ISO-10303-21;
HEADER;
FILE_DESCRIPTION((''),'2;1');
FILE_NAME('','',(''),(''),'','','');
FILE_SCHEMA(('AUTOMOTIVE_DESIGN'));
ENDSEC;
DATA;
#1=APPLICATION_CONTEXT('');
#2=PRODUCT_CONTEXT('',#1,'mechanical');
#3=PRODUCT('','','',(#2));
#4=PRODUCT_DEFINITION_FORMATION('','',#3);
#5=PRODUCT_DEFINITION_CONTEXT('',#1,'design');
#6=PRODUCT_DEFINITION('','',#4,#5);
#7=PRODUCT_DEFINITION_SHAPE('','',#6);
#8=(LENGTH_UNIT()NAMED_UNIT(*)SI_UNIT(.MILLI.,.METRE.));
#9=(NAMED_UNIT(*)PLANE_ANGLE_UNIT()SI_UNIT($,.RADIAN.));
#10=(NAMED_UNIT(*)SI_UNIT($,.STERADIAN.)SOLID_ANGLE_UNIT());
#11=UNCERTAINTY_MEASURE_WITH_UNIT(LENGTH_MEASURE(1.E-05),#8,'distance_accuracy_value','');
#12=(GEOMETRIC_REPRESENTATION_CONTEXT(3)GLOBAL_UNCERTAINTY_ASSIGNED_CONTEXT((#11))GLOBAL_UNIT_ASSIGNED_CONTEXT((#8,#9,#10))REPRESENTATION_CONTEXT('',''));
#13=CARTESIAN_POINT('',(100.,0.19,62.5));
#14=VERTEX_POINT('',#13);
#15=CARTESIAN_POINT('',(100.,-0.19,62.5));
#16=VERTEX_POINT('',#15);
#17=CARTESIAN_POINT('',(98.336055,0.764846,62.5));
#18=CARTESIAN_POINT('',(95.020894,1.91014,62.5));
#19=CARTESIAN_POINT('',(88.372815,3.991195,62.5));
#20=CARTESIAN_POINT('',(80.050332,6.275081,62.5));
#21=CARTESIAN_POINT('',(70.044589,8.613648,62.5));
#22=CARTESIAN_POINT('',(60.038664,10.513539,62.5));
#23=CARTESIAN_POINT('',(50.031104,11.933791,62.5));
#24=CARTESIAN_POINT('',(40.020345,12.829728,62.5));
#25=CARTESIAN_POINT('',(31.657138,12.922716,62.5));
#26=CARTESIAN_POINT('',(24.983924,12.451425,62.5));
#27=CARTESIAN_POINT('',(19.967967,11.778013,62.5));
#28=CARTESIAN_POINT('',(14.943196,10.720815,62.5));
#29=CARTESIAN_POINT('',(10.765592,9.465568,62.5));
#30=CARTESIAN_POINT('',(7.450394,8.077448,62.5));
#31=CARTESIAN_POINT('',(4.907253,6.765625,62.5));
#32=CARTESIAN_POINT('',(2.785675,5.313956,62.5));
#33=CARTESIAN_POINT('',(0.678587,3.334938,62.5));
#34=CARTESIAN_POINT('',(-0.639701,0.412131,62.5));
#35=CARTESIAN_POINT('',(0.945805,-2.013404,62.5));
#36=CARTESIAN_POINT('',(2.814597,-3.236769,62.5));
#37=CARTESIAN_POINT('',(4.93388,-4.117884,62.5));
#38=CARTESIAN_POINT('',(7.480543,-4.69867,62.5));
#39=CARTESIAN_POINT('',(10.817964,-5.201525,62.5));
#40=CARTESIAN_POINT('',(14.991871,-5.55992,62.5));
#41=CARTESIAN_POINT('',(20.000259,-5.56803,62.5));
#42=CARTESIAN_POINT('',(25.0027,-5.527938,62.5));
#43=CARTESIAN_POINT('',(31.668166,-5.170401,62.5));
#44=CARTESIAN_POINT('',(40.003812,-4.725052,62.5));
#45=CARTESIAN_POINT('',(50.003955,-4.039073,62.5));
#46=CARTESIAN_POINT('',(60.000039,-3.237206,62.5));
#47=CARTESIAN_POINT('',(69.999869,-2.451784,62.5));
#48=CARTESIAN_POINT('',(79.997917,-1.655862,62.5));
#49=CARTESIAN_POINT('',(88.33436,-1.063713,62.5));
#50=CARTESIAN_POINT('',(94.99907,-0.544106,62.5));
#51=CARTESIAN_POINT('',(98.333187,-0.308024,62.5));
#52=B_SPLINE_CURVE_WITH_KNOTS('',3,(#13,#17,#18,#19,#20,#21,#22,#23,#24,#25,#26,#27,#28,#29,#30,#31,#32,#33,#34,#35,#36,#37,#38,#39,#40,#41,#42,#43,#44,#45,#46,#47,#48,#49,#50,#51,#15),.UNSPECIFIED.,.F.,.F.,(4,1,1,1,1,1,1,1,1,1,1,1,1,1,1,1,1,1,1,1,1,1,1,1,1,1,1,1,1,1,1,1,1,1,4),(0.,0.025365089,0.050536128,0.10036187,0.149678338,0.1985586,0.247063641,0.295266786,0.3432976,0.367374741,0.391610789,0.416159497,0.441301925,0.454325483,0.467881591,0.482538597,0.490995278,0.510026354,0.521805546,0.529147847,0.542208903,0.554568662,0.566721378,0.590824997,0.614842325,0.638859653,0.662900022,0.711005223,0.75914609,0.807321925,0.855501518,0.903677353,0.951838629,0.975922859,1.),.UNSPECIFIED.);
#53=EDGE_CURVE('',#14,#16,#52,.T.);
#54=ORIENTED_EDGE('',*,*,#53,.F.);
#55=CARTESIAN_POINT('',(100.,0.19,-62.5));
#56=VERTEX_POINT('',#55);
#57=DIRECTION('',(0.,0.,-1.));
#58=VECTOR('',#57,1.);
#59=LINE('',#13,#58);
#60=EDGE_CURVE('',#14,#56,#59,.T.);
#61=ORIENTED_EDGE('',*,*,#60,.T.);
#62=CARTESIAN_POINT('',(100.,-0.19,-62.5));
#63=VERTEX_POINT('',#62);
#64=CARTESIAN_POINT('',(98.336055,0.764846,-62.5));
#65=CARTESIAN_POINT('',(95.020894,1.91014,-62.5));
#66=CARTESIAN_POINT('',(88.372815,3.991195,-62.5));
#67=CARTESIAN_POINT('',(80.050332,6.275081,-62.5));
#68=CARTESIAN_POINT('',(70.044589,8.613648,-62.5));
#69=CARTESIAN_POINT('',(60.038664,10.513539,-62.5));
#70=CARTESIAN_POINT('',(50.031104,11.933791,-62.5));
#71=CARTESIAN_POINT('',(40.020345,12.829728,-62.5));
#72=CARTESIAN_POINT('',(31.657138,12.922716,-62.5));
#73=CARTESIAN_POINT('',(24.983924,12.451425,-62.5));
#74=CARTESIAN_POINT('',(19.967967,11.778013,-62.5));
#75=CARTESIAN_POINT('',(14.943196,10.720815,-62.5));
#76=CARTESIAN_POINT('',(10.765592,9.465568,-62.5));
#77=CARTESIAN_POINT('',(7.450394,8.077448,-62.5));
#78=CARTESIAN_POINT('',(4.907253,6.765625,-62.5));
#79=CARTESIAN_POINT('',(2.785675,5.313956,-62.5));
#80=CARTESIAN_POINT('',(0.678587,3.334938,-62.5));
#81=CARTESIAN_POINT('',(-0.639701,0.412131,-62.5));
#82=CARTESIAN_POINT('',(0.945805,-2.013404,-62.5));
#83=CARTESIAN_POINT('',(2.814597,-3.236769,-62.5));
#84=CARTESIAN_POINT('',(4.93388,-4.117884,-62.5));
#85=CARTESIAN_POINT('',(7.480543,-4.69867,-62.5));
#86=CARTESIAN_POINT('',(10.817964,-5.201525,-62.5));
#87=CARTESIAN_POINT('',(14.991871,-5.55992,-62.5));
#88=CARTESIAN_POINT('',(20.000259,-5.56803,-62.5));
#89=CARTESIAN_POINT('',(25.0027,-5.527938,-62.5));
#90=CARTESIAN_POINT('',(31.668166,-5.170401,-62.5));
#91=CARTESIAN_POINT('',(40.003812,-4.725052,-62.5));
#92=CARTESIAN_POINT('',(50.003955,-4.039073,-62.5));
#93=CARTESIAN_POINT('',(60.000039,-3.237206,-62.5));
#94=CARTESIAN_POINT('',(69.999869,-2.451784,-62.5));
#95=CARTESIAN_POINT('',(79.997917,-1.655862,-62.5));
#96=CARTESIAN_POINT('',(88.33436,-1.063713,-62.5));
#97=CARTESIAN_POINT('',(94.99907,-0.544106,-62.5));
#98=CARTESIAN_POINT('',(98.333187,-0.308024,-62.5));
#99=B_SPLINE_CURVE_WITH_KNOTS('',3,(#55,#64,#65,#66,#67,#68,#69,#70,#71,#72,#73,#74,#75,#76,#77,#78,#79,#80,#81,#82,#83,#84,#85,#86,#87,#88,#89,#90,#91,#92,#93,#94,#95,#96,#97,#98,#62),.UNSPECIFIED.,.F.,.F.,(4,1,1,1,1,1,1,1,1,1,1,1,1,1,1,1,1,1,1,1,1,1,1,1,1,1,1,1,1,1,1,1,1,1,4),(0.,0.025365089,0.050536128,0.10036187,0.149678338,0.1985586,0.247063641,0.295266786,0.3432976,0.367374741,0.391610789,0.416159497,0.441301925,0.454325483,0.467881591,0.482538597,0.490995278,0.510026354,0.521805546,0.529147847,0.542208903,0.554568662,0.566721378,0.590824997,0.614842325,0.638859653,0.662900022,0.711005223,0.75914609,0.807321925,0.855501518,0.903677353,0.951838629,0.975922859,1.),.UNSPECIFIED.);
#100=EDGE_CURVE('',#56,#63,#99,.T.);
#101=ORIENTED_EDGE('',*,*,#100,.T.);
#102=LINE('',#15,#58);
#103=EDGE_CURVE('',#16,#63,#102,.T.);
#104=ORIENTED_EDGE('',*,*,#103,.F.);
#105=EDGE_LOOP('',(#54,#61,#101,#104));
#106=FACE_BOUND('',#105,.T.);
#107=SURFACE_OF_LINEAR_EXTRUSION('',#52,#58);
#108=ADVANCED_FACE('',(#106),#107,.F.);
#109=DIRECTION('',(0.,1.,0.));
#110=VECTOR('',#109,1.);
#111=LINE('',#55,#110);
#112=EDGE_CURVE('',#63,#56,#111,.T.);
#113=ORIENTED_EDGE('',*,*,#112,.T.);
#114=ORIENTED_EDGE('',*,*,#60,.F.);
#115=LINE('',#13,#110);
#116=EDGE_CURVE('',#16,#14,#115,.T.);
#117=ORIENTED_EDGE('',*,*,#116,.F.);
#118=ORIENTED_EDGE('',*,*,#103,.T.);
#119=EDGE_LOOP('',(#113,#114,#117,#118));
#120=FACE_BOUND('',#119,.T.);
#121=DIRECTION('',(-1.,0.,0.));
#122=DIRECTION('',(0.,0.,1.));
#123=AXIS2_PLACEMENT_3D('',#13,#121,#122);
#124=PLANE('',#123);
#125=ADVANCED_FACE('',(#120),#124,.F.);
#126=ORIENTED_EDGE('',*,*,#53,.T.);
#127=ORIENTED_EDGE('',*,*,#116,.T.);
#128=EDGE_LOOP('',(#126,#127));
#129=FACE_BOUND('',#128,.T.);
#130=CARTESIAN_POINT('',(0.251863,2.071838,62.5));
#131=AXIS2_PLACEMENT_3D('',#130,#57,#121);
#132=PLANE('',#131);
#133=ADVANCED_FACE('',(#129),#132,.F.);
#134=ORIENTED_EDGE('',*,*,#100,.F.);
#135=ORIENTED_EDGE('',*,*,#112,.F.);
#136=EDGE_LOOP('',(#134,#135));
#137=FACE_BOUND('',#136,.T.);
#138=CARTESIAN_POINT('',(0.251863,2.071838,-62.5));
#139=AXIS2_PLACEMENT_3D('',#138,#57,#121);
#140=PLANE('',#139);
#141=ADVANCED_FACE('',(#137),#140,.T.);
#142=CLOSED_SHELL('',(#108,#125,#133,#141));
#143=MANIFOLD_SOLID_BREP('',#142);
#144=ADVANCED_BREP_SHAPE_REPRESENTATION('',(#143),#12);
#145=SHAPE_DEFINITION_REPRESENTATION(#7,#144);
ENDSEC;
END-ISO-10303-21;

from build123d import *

# Parameters (mm, degrees)
BOSS_EXTRUDE1_DEPTH = 62.5


with BuildPart() as part:
    # Sketch2 → Boss-Extrude1 (new, symmetric)
    with BuildSketch(Plane.XY):
        with BuildLine():
            Line((100, 0.19), (100, -0.19))
            add(Edge.make_bspline(
                [(100, 0.19), (98.336054642, 0.764845915), (95.020893564, 1.910140015), (88.372815363, 3.99119496), (80.050332065, 6.275081208), (70.044588655, 8.613647635), (60.03866438, 10.513538847), (50.031104018, 11.9337906), (40.020344676, 12.82972834), (31.657138298, 12.922716347), (24.983924183, 12.451424688), (19.967967326, 11.778013226), (14.943195689, 10.720815242), (10.765592192, 9.46556819), (7.450393807, 8.077448129), (4.907252579, 6.765624548), (2.785675183, 5.313955872), (0.678587456, 3.334938285), (-0.639700555, 0.412131012), (0.945805466, -2.013404429), (2.81459737, -3.236769208), (4.933879714, -4.117884482), (7.480542813, -4.698670083), (10.817964106, -5.201524685), (14.991871282, -5.559919603), (20.000259285, -5.568030067), (25.002699826, -5.527937612), (31.668165845, -5.170401078), (40.00381152, -4.725051802), (50.003955146, -4.039072774), (60.000038774, -3.237206338), (69.999869087, -2.451783747), (79.997917336, -1.655862379), (88.334360044, -1.063713011), (94.999069588, -0.544106166), (98.333186783, -0.308023805), (100, -0.19)],
                knots=[0, 0, 0, 0, 0.025365089, 0.050536128, 0.10036187, 0.149678338, 0.1985586, 0.247063641, 0.295266786, 0.3432976, 0.367374741, 0.391610789, 0.416159497, 0.441301925, 0.454325483, 0.467881591, 0.482538597, 0.490995278, 0.510026354, 0.521805546, 0.529147847, 0.542208903, 0.554568662, 0.566721378, 0.590824997, 0.614842325, 0.638859653, 0.662900022, 0.711005223, 0.75914609, 0.807321925, 0.855501518, 0.903677353, 0.951838629, 0.975922859, 1, 1, 1, 1], degree=3))
        make_face()
    extrude(amount=BOSS_EXTRUDE1_DEPTH, both=True)


solid = part.part
